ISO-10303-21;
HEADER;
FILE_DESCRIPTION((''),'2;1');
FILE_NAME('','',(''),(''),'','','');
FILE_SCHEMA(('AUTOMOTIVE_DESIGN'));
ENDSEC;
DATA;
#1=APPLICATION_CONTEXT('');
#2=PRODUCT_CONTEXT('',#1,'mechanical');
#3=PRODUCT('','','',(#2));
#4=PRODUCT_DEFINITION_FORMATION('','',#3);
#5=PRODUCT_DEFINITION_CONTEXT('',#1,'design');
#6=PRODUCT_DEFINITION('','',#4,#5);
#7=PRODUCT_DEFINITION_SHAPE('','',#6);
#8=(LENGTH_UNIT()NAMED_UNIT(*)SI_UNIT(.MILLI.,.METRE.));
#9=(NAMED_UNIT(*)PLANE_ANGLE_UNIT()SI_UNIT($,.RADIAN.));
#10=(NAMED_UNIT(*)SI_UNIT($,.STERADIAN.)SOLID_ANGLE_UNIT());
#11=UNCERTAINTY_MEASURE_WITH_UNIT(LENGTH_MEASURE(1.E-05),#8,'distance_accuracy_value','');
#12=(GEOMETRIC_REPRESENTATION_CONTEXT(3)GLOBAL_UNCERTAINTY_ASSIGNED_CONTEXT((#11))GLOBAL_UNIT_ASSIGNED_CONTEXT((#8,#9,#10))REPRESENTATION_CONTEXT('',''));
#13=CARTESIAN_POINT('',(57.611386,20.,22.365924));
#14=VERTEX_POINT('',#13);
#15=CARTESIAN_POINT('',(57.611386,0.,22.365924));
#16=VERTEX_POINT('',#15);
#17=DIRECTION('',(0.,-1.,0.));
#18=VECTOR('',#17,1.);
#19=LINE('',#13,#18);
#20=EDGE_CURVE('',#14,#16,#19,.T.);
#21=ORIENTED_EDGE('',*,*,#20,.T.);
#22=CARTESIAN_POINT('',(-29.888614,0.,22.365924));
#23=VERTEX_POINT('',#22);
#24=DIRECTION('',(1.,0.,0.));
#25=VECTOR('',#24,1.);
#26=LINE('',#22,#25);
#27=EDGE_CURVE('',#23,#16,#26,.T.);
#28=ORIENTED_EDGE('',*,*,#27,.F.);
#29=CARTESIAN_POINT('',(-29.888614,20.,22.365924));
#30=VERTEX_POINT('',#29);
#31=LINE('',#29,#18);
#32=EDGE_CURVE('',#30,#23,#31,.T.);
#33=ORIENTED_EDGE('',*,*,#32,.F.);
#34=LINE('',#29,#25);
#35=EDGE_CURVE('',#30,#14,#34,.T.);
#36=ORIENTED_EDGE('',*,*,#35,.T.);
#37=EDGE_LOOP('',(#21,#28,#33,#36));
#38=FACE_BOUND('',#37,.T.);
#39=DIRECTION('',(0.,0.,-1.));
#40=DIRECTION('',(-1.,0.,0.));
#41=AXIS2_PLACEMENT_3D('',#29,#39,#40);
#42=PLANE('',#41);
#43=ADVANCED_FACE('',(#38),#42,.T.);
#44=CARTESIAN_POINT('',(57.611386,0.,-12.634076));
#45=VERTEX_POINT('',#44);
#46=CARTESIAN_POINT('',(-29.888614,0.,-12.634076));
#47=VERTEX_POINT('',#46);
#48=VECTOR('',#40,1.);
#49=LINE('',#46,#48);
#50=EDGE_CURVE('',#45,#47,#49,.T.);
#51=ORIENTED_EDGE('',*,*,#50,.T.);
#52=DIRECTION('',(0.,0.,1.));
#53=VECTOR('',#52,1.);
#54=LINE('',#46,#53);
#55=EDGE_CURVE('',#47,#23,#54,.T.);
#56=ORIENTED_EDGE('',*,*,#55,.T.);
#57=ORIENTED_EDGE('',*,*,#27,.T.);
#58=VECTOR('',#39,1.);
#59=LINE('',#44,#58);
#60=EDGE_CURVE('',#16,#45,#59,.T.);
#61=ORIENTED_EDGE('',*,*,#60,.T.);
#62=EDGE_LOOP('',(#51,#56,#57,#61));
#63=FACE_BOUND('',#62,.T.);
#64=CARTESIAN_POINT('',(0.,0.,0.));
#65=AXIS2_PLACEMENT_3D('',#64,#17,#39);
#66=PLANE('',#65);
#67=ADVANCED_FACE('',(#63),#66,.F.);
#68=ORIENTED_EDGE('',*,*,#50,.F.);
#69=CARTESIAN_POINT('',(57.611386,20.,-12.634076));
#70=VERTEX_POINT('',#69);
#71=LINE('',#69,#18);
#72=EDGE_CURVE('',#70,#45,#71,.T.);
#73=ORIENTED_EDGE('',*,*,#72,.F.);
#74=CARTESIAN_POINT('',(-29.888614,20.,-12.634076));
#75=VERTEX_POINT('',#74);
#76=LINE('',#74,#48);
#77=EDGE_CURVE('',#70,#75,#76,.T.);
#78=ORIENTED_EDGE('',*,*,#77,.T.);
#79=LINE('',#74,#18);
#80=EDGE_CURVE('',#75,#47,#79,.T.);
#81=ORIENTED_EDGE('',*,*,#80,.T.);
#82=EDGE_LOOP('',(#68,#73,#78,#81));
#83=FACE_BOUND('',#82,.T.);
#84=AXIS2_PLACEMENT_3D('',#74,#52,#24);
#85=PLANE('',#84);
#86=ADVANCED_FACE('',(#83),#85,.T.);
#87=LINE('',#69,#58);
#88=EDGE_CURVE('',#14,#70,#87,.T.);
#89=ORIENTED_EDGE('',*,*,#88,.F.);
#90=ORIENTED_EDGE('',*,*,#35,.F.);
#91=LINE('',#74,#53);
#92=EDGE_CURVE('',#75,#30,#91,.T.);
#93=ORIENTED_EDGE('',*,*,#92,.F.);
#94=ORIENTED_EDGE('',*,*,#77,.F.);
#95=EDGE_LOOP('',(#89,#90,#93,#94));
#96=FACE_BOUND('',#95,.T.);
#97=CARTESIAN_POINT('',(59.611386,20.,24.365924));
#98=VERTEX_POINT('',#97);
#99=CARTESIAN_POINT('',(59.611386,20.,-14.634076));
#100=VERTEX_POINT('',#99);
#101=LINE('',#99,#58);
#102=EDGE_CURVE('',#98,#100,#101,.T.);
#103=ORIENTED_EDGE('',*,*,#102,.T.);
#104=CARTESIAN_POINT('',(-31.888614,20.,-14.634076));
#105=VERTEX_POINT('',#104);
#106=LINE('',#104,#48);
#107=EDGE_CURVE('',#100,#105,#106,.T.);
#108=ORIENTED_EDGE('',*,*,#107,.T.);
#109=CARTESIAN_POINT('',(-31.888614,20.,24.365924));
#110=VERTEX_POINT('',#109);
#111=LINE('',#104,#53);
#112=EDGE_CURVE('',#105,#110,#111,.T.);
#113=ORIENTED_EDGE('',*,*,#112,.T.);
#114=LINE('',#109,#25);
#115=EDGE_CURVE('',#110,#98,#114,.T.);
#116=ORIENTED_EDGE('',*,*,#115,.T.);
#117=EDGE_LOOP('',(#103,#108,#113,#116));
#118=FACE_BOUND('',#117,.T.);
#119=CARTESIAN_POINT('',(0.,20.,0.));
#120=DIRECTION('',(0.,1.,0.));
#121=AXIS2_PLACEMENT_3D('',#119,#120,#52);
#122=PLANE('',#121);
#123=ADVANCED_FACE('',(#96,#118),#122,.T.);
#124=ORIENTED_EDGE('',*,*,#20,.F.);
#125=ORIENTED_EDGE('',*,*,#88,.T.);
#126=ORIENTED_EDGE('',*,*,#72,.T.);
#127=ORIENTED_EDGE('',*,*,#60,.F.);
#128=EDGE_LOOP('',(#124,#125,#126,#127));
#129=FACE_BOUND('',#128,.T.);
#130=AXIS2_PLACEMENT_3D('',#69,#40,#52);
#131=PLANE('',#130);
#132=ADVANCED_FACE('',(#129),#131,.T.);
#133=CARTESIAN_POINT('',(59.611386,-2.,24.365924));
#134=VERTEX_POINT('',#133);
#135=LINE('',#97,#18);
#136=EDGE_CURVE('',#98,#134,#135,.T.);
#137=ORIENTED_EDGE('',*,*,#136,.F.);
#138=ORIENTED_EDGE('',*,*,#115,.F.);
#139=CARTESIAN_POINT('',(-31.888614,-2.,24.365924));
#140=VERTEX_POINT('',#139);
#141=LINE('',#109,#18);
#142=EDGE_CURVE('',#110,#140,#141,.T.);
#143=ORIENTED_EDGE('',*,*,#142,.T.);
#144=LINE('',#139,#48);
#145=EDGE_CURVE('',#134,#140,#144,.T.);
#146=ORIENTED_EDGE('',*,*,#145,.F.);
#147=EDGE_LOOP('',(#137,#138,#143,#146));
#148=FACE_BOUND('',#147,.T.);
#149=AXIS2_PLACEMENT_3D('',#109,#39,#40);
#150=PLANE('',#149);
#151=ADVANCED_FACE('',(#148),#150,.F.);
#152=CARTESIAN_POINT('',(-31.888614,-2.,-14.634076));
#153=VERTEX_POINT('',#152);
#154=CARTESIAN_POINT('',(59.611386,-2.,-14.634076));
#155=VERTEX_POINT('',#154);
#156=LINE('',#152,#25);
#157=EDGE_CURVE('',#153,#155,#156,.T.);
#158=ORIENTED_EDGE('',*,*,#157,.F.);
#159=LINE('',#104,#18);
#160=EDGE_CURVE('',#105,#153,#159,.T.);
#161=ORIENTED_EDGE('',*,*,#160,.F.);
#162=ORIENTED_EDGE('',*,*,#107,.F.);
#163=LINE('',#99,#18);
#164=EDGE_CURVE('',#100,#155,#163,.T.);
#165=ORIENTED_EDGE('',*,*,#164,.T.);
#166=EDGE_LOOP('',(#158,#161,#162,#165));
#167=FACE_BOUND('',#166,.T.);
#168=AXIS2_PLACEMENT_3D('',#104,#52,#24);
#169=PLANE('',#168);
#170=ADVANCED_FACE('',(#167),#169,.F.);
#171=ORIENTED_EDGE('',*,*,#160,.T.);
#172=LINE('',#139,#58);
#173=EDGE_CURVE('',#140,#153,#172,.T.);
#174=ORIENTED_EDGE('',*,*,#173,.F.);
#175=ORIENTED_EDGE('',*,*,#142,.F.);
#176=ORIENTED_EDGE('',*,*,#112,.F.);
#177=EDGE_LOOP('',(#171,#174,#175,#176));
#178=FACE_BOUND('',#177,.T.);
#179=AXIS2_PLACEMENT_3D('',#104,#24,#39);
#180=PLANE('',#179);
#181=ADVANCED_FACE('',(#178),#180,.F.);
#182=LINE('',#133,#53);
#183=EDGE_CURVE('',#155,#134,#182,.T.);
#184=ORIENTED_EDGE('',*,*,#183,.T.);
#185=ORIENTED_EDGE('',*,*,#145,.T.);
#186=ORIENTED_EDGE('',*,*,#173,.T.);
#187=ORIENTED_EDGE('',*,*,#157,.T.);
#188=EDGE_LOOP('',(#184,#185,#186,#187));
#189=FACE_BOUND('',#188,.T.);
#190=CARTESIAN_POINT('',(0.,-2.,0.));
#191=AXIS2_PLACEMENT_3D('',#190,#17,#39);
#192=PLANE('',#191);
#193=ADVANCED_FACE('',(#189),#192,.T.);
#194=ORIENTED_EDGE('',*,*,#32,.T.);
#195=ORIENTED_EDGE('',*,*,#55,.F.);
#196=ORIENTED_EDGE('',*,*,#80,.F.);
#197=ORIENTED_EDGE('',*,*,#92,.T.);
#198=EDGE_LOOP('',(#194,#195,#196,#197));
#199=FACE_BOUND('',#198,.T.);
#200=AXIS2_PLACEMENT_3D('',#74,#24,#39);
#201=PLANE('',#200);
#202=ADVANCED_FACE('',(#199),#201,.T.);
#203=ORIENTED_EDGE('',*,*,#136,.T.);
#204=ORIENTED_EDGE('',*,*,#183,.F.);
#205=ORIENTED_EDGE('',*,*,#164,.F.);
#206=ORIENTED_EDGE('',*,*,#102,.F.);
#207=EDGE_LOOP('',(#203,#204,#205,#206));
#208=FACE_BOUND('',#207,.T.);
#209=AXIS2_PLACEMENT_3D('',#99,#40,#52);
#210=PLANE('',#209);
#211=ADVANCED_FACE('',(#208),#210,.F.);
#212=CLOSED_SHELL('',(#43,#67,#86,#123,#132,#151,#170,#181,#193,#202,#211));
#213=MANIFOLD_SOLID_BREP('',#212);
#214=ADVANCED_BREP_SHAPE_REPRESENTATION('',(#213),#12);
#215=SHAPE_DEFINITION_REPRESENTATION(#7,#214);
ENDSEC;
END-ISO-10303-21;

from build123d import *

# Parameters (mm, degrees)
SKETCH1_W           = 91.5
SKETCH1_H           = 39
SKETCH1_W_2         = 87.5
SKETCH1_H_2         = 35
BOSS_EXTRUDE1_DEPTH = 20
SKETCH2_W           = 91.5
SKETCH2_H           = 39
BOSS_EXTRUDE2_DEPTH = 2


with BuildPart() as part:
    # Sketch1 → Boss-Extrude1 (new body)
    with BuildSketch(Plane(origin=(0, 0, 0), x_dir=(1, 0, 0), z_dir=(0, 1, 0))):
        with Locations((13.861386139, -4.865924092)):
            Rectangle(SKETCH1_W, SKETCH1_H)
        with Locations((13.861386139, -4.865924092)):
            Rectangle(SKETCH1_W_2, SKETCH1_H_2, mode=Mode.SUBTRACT)
    extrude(amount=BOSS_EXTRUDE1_DEPTH)

    # Sketch2 → Boss-Extrude2 (add)
    with BuildSketch(Plane.XZ):
        with Locations((13.861386139, 4.865924092)):
            Rectangle(SKETCH2_W, SKETCH2_H)
    extrude(amount=BOSS_EXTRUDE2_DEPTH)


solid = part.part
